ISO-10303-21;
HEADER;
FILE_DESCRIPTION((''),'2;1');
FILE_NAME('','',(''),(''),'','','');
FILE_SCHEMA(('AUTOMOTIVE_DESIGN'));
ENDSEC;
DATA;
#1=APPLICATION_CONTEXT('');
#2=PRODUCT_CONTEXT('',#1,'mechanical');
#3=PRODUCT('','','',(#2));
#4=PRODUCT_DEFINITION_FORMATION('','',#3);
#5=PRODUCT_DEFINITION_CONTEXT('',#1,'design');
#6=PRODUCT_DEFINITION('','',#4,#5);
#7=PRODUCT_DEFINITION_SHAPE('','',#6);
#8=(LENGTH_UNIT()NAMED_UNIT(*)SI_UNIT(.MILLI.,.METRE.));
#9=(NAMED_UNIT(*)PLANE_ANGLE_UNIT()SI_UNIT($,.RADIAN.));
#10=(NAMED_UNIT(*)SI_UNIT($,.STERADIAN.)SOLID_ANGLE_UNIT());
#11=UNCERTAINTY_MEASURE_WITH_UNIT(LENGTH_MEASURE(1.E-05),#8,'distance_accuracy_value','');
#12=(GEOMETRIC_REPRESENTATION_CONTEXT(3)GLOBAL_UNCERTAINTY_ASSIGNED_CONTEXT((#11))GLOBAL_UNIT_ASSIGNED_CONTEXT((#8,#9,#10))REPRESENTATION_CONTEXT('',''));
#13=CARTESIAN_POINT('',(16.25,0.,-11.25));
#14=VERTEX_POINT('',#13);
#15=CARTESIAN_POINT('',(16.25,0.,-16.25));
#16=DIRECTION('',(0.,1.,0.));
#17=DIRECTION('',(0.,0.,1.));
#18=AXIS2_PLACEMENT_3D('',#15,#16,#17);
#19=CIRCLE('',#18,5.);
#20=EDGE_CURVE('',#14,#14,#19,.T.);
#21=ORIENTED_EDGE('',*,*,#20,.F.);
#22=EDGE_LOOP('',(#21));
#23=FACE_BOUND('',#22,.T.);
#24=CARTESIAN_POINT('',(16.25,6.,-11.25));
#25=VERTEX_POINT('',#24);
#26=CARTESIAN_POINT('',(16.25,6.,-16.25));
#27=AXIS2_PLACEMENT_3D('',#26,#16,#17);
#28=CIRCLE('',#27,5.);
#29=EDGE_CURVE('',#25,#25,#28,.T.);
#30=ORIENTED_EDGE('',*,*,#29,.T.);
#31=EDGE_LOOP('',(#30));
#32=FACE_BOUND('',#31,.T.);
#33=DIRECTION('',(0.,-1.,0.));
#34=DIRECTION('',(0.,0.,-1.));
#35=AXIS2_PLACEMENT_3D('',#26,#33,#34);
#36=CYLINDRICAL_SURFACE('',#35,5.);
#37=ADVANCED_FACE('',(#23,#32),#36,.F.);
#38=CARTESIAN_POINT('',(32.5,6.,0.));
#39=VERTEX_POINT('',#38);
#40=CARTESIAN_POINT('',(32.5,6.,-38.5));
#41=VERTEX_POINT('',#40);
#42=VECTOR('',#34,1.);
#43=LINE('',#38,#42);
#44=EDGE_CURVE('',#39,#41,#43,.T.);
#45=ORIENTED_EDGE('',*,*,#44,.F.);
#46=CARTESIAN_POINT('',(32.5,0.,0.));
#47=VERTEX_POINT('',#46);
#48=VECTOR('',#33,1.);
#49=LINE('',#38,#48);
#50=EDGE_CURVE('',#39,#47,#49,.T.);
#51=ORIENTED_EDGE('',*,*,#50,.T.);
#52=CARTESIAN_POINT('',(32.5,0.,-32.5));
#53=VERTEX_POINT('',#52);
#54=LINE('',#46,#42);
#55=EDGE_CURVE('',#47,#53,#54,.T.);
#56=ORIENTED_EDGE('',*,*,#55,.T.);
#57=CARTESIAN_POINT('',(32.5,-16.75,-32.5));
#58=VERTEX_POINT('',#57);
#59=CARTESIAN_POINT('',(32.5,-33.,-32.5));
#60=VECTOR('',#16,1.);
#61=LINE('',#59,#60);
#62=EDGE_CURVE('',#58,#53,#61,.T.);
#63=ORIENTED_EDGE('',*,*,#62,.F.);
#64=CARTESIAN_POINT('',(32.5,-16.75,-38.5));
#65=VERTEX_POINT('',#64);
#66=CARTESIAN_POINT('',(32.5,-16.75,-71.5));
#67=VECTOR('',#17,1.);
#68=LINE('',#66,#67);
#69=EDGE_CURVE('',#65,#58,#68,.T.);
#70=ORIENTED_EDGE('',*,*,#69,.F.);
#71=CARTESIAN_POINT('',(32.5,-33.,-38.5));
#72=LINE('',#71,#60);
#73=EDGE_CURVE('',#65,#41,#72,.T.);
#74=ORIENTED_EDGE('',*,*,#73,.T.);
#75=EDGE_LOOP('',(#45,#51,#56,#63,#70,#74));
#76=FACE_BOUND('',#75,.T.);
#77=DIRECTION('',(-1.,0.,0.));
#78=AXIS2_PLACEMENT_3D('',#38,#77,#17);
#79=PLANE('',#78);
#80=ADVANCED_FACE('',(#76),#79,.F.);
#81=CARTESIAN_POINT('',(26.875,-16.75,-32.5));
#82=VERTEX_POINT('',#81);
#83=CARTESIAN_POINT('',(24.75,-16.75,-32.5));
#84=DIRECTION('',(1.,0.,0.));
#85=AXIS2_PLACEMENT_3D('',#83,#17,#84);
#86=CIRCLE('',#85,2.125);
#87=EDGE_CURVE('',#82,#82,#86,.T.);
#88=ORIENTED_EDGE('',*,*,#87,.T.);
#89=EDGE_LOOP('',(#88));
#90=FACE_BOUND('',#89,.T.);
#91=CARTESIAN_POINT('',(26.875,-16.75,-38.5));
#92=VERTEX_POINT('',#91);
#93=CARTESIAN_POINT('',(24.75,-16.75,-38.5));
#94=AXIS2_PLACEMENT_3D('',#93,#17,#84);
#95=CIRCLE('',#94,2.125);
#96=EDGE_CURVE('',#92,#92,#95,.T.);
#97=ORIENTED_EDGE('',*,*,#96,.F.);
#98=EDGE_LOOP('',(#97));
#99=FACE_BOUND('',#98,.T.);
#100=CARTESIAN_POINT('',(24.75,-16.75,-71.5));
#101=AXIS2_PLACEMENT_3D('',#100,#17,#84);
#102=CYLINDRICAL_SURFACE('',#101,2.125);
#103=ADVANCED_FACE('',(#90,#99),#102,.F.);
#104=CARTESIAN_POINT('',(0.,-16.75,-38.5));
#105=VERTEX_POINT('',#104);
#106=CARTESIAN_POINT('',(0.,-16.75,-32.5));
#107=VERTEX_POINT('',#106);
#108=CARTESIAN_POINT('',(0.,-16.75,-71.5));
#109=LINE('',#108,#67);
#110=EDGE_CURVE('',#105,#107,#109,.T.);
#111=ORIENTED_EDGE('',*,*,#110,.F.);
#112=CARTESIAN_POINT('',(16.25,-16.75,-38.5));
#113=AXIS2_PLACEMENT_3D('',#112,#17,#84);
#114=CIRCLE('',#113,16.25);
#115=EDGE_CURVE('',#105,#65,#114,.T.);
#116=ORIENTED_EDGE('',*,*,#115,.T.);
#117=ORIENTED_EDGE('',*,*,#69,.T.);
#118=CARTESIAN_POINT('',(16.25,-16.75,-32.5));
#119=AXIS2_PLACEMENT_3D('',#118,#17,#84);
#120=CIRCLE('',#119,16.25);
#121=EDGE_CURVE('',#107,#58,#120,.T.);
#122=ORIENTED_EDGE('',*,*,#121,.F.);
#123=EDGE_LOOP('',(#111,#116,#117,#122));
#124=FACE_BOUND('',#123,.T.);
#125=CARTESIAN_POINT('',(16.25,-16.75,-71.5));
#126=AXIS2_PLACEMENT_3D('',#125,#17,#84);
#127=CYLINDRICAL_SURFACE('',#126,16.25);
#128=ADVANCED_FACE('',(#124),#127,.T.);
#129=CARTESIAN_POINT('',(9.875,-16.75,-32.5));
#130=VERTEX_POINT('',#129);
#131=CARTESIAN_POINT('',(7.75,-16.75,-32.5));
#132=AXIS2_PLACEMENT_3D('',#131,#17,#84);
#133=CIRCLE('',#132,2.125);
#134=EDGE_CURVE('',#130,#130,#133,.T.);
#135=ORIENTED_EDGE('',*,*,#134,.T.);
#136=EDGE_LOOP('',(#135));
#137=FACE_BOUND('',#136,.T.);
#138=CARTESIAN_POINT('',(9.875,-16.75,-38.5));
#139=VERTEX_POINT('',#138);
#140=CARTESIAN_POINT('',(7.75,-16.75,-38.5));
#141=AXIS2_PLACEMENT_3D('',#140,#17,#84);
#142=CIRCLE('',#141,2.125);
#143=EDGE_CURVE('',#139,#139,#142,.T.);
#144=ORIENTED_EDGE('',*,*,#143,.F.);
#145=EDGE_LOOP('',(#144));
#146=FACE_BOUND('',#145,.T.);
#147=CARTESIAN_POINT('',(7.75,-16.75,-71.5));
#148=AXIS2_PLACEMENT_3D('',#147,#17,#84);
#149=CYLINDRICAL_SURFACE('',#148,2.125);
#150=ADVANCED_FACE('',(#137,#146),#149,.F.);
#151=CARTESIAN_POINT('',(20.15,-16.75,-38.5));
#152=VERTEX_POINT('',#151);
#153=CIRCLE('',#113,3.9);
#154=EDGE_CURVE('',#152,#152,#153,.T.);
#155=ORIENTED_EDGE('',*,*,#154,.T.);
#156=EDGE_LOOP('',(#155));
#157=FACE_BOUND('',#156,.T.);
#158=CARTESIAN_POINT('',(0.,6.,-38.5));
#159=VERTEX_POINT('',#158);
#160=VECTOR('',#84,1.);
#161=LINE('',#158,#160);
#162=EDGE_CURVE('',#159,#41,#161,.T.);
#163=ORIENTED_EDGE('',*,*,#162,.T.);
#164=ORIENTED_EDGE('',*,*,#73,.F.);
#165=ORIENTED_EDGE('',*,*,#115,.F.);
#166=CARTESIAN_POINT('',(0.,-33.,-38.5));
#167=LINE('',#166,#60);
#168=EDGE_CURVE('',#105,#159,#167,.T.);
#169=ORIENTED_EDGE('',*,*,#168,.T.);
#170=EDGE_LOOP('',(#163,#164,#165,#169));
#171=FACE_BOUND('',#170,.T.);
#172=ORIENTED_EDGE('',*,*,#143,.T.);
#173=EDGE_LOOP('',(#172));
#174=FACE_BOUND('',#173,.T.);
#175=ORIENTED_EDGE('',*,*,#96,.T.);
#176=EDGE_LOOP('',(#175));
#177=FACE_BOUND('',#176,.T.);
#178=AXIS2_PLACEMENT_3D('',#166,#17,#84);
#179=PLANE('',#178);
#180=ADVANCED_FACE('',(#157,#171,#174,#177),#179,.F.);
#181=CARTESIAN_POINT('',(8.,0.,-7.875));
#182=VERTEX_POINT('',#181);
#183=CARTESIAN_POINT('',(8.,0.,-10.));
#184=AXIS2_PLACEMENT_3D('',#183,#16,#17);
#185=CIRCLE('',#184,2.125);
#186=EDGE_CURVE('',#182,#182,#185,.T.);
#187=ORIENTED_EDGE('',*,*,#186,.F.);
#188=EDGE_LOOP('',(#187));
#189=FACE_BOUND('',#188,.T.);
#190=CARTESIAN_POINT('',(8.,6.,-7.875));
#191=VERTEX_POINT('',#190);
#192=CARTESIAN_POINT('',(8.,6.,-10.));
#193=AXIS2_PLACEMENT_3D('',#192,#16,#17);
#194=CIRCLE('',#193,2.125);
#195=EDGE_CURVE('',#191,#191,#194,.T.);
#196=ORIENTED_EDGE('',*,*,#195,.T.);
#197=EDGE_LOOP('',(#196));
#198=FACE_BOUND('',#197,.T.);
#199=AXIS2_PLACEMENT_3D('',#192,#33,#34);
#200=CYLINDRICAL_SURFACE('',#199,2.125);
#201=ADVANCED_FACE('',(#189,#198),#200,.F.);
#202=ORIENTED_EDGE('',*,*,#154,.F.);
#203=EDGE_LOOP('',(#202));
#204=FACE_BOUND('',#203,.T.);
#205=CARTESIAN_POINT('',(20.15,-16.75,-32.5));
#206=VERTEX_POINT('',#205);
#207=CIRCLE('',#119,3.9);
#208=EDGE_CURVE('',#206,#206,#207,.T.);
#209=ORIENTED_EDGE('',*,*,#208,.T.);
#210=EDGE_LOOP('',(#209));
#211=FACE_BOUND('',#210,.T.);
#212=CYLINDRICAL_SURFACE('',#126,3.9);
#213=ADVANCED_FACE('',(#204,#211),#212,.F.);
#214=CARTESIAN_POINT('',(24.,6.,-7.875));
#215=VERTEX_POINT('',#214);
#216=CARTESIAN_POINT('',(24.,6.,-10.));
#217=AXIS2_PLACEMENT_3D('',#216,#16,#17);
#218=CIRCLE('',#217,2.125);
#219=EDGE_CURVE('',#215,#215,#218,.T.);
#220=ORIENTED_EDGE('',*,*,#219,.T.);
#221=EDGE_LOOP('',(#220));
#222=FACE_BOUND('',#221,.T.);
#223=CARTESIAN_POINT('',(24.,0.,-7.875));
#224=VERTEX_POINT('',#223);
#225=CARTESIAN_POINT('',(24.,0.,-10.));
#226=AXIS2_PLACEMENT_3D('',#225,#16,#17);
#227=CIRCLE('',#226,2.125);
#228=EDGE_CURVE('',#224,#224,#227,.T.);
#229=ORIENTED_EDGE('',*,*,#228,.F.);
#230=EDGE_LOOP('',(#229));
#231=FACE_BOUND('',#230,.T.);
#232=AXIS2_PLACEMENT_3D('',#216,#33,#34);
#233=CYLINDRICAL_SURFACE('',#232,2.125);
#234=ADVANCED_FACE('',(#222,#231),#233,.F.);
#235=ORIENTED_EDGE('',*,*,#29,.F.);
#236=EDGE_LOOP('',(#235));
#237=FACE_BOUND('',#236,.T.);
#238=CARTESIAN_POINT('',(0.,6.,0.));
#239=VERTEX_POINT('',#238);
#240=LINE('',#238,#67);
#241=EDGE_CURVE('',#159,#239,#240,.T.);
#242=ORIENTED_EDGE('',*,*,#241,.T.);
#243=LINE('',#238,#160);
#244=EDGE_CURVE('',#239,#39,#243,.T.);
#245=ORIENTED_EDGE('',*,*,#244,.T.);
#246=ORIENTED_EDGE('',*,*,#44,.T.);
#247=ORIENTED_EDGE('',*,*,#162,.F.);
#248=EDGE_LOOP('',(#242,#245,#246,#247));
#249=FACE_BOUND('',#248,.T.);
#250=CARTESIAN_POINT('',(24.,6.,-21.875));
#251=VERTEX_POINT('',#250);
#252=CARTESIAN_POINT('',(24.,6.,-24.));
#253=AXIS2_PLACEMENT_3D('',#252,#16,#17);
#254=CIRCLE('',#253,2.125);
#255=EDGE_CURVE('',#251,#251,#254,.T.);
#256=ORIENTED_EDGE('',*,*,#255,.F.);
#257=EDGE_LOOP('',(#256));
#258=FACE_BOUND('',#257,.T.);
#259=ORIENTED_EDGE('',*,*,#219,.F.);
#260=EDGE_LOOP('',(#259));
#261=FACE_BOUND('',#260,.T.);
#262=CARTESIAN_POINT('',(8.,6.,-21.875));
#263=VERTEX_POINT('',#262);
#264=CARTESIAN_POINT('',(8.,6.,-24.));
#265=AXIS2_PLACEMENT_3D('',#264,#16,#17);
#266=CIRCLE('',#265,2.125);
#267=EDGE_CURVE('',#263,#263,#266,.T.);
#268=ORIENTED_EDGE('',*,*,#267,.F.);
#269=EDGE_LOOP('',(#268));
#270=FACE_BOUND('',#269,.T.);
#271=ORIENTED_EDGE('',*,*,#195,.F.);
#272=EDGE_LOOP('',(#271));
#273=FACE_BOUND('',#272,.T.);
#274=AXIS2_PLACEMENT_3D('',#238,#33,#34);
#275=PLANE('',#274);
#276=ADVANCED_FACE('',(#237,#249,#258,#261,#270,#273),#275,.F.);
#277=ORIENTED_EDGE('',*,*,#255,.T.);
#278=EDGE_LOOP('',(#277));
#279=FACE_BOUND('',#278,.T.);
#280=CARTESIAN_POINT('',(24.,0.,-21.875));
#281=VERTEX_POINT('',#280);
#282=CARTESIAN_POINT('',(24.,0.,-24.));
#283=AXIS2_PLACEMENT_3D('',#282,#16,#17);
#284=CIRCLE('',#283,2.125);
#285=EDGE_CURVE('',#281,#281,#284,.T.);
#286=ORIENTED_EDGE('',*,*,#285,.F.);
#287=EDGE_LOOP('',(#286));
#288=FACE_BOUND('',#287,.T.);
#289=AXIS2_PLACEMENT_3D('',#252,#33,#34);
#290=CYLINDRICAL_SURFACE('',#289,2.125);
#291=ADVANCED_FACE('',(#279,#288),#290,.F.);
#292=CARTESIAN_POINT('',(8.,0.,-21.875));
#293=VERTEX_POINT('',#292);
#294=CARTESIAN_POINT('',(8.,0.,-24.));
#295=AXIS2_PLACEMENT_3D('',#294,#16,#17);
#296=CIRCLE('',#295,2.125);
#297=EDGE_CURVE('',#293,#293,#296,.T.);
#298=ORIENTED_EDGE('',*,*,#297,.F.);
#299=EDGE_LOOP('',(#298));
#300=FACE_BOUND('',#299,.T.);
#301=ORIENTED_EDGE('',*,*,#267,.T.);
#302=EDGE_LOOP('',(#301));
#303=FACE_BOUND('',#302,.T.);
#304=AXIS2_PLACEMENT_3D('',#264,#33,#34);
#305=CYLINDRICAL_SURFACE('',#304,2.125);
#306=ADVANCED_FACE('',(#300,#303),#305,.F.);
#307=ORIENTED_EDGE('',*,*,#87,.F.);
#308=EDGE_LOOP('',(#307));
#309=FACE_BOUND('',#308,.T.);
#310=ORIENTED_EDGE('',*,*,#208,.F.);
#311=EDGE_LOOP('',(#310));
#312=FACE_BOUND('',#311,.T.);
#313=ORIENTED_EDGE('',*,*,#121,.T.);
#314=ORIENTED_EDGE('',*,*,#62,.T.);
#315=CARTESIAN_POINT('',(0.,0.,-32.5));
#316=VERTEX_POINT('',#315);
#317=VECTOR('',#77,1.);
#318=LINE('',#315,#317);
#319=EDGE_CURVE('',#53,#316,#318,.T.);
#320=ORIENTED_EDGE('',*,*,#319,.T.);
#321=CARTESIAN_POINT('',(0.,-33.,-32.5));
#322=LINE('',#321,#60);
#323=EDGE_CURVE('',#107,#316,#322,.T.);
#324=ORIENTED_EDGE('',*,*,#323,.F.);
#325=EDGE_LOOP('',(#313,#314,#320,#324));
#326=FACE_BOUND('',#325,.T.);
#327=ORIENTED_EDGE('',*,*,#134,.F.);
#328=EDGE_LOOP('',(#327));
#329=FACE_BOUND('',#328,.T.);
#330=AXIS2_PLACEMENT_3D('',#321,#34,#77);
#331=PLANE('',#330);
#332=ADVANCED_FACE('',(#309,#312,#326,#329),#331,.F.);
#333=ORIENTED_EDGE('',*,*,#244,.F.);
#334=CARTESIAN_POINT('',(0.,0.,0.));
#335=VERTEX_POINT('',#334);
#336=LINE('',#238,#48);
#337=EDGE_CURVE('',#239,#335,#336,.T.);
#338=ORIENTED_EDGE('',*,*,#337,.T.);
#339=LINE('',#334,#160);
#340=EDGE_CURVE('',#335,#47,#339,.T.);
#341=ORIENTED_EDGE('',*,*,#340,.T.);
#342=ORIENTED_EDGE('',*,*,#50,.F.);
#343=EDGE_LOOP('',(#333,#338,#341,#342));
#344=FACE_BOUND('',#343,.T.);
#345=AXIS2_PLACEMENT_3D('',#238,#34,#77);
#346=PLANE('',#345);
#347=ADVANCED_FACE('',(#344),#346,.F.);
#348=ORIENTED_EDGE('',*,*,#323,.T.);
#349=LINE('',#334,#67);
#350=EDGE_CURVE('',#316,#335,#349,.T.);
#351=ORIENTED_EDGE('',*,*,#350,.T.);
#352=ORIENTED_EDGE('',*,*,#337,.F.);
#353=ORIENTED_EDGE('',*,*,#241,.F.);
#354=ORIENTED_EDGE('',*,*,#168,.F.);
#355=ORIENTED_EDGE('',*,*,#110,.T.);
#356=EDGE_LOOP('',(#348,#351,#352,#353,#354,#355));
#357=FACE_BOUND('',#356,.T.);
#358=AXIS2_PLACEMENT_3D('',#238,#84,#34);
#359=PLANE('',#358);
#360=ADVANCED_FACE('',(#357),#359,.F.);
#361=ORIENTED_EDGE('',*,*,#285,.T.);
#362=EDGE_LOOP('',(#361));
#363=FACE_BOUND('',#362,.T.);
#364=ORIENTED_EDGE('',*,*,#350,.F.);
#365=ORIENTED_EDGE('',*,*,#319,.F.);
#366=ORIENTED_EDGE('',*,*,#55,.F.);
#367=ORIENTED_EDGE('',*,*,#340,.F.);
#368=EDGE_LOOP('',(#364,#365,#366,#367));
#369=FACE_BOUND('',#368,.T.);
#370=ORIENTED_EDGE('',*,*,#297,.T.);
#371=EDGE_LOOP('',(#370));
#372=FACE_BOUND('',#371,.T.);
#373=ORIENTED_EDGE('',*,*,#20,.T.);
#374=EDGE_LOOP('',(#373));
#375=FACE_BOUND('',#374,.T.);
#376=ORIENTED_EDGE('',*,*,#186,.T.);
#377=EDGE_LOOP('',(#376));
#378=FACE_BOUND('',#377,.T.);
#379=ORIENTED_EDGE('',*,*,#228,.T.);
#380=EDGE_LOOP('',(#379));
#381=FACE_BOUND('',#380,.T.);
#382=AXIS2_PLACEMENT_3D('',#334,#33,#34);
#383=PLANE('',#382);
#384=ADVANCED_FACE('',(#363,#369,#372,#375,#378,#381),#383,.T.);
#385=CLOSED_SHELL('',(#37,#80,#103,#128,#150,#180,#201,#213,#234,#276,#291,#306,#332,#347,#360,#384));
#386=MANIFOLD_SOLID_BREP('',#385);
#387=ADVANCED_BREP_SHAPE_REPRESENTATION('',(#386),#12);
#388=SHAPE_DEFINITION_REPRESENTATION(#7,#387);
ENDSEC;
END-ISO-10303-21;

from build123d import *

# Parameters (mm, degrees)
SKETCH1_W           = 32.5
SKETCH1_H           = 32.5
SKETCH1_R           = 2.125
SKETCH1_R_2         = 5
BOSS_EXTRUDE1_DEPTH = 6
SKETCH2_W           = 32.5
SKETCH2_H           = 6
BOSS_EXTRUDE2_DEPTH = 39
CUT_EXTRUDE1_DEPTH  = 39
SKETCH4_R           = 3.9
SKETCH4_R_2         = 2.125
CUT_EXTRUDE2_DEPTH  = 39


with BuildPart() as part:
    # Sketch1 → Boss-Extrude1 (new body)
    with BuildSketch(Plane(origin=(0, 0, 0), x_dir=(1, 0, 0), z_dir=(0, 1, 0))):
        with Locations((16.25, 16.25)):
            Rectangle(SKETCH1_W, SKETCH1_H)
        with Locations(Location((24, 10, 0), (0, 0, 270))):
            Circle(SKETCH1_R, mode=Mode.SUBTRACT)
        with Locations(Location((24, 24, 0), (0, 0, 270))):
            Circle(SKETCH1_R, mode=Mode.SUBTRACT)
        with Locations(Location((8, 24, 0), (0, 0, 270))):
            Circle(SKETCH1_R, mode=Mode.SUBTRACT)
        with Locations(Location((8, 10, 0), (0, 0, 270))):
            Circle(SKETCH1_R, mode=Mode.SUBTRACT)
        with Locations(Location((16.25, 16.25, 0), (0, 0, 270))):
            Circle(SKETCH1_R_2, mode=Mode.SUBTRACT)
    extrude(amount=BOSS_EXTRUDE1_DEPTH)

    # Sketch2 → Boss-Extrude2 (add)
    with BuildSketch(Plane(origin=(0, 6, 0), x_dir=(1, 0, 0), z_dir=(0, 1, 0))):
        with Locations((16.25, 35.5)):
            Rectangle(SKETCH2_W, SKETCH2_H)
    extrude(amount=-BOSS_EXTRUDE2_DEPTH)

    # Sketch3 → Cut-Extrude1 (cut)
    with BuildSketch(Plane.XY.offset(-32.5)):
        with BuildLine():
            Line((16.25, -33), (32.5, -33))
            Line((32.5, -33), (32.5, -16.75))
            ThreePointArc((32.5, -16.75), (27.740485194, -28.240485194), (16.25, -33))
        make_face()
        with BuildLine():
            Line((0, -33), (16.25, -33))
            ThreePointArc((16.25, -33), (4.759514806, -28.240485194), (0, -16.75))
            Line((0, -16.75), (0, -33))
        make_face()
    extrude(amount=-CUT_EXTRUDE1_DEPTH, mode=Mode.SUBTRACT)

    # Sketch4 → Cut-Extrude2 (cut)
    with BuildSketch(Plane.XY.offset(-32.5)):
        with Locations((16.25, -16.75)):
            Circle(SKETCH4_R)
        with Locations((7.75, -16.75)):
            Circle(SKETCH4_R_2)
        with Locations((24.75, -16.75)):
            Circle(SKETCH4_R_2)
    extrude(amount=-CUT_EXTRUDE2_DEPTH, mode=Mode.SUBTRACT)


solid = part.part
